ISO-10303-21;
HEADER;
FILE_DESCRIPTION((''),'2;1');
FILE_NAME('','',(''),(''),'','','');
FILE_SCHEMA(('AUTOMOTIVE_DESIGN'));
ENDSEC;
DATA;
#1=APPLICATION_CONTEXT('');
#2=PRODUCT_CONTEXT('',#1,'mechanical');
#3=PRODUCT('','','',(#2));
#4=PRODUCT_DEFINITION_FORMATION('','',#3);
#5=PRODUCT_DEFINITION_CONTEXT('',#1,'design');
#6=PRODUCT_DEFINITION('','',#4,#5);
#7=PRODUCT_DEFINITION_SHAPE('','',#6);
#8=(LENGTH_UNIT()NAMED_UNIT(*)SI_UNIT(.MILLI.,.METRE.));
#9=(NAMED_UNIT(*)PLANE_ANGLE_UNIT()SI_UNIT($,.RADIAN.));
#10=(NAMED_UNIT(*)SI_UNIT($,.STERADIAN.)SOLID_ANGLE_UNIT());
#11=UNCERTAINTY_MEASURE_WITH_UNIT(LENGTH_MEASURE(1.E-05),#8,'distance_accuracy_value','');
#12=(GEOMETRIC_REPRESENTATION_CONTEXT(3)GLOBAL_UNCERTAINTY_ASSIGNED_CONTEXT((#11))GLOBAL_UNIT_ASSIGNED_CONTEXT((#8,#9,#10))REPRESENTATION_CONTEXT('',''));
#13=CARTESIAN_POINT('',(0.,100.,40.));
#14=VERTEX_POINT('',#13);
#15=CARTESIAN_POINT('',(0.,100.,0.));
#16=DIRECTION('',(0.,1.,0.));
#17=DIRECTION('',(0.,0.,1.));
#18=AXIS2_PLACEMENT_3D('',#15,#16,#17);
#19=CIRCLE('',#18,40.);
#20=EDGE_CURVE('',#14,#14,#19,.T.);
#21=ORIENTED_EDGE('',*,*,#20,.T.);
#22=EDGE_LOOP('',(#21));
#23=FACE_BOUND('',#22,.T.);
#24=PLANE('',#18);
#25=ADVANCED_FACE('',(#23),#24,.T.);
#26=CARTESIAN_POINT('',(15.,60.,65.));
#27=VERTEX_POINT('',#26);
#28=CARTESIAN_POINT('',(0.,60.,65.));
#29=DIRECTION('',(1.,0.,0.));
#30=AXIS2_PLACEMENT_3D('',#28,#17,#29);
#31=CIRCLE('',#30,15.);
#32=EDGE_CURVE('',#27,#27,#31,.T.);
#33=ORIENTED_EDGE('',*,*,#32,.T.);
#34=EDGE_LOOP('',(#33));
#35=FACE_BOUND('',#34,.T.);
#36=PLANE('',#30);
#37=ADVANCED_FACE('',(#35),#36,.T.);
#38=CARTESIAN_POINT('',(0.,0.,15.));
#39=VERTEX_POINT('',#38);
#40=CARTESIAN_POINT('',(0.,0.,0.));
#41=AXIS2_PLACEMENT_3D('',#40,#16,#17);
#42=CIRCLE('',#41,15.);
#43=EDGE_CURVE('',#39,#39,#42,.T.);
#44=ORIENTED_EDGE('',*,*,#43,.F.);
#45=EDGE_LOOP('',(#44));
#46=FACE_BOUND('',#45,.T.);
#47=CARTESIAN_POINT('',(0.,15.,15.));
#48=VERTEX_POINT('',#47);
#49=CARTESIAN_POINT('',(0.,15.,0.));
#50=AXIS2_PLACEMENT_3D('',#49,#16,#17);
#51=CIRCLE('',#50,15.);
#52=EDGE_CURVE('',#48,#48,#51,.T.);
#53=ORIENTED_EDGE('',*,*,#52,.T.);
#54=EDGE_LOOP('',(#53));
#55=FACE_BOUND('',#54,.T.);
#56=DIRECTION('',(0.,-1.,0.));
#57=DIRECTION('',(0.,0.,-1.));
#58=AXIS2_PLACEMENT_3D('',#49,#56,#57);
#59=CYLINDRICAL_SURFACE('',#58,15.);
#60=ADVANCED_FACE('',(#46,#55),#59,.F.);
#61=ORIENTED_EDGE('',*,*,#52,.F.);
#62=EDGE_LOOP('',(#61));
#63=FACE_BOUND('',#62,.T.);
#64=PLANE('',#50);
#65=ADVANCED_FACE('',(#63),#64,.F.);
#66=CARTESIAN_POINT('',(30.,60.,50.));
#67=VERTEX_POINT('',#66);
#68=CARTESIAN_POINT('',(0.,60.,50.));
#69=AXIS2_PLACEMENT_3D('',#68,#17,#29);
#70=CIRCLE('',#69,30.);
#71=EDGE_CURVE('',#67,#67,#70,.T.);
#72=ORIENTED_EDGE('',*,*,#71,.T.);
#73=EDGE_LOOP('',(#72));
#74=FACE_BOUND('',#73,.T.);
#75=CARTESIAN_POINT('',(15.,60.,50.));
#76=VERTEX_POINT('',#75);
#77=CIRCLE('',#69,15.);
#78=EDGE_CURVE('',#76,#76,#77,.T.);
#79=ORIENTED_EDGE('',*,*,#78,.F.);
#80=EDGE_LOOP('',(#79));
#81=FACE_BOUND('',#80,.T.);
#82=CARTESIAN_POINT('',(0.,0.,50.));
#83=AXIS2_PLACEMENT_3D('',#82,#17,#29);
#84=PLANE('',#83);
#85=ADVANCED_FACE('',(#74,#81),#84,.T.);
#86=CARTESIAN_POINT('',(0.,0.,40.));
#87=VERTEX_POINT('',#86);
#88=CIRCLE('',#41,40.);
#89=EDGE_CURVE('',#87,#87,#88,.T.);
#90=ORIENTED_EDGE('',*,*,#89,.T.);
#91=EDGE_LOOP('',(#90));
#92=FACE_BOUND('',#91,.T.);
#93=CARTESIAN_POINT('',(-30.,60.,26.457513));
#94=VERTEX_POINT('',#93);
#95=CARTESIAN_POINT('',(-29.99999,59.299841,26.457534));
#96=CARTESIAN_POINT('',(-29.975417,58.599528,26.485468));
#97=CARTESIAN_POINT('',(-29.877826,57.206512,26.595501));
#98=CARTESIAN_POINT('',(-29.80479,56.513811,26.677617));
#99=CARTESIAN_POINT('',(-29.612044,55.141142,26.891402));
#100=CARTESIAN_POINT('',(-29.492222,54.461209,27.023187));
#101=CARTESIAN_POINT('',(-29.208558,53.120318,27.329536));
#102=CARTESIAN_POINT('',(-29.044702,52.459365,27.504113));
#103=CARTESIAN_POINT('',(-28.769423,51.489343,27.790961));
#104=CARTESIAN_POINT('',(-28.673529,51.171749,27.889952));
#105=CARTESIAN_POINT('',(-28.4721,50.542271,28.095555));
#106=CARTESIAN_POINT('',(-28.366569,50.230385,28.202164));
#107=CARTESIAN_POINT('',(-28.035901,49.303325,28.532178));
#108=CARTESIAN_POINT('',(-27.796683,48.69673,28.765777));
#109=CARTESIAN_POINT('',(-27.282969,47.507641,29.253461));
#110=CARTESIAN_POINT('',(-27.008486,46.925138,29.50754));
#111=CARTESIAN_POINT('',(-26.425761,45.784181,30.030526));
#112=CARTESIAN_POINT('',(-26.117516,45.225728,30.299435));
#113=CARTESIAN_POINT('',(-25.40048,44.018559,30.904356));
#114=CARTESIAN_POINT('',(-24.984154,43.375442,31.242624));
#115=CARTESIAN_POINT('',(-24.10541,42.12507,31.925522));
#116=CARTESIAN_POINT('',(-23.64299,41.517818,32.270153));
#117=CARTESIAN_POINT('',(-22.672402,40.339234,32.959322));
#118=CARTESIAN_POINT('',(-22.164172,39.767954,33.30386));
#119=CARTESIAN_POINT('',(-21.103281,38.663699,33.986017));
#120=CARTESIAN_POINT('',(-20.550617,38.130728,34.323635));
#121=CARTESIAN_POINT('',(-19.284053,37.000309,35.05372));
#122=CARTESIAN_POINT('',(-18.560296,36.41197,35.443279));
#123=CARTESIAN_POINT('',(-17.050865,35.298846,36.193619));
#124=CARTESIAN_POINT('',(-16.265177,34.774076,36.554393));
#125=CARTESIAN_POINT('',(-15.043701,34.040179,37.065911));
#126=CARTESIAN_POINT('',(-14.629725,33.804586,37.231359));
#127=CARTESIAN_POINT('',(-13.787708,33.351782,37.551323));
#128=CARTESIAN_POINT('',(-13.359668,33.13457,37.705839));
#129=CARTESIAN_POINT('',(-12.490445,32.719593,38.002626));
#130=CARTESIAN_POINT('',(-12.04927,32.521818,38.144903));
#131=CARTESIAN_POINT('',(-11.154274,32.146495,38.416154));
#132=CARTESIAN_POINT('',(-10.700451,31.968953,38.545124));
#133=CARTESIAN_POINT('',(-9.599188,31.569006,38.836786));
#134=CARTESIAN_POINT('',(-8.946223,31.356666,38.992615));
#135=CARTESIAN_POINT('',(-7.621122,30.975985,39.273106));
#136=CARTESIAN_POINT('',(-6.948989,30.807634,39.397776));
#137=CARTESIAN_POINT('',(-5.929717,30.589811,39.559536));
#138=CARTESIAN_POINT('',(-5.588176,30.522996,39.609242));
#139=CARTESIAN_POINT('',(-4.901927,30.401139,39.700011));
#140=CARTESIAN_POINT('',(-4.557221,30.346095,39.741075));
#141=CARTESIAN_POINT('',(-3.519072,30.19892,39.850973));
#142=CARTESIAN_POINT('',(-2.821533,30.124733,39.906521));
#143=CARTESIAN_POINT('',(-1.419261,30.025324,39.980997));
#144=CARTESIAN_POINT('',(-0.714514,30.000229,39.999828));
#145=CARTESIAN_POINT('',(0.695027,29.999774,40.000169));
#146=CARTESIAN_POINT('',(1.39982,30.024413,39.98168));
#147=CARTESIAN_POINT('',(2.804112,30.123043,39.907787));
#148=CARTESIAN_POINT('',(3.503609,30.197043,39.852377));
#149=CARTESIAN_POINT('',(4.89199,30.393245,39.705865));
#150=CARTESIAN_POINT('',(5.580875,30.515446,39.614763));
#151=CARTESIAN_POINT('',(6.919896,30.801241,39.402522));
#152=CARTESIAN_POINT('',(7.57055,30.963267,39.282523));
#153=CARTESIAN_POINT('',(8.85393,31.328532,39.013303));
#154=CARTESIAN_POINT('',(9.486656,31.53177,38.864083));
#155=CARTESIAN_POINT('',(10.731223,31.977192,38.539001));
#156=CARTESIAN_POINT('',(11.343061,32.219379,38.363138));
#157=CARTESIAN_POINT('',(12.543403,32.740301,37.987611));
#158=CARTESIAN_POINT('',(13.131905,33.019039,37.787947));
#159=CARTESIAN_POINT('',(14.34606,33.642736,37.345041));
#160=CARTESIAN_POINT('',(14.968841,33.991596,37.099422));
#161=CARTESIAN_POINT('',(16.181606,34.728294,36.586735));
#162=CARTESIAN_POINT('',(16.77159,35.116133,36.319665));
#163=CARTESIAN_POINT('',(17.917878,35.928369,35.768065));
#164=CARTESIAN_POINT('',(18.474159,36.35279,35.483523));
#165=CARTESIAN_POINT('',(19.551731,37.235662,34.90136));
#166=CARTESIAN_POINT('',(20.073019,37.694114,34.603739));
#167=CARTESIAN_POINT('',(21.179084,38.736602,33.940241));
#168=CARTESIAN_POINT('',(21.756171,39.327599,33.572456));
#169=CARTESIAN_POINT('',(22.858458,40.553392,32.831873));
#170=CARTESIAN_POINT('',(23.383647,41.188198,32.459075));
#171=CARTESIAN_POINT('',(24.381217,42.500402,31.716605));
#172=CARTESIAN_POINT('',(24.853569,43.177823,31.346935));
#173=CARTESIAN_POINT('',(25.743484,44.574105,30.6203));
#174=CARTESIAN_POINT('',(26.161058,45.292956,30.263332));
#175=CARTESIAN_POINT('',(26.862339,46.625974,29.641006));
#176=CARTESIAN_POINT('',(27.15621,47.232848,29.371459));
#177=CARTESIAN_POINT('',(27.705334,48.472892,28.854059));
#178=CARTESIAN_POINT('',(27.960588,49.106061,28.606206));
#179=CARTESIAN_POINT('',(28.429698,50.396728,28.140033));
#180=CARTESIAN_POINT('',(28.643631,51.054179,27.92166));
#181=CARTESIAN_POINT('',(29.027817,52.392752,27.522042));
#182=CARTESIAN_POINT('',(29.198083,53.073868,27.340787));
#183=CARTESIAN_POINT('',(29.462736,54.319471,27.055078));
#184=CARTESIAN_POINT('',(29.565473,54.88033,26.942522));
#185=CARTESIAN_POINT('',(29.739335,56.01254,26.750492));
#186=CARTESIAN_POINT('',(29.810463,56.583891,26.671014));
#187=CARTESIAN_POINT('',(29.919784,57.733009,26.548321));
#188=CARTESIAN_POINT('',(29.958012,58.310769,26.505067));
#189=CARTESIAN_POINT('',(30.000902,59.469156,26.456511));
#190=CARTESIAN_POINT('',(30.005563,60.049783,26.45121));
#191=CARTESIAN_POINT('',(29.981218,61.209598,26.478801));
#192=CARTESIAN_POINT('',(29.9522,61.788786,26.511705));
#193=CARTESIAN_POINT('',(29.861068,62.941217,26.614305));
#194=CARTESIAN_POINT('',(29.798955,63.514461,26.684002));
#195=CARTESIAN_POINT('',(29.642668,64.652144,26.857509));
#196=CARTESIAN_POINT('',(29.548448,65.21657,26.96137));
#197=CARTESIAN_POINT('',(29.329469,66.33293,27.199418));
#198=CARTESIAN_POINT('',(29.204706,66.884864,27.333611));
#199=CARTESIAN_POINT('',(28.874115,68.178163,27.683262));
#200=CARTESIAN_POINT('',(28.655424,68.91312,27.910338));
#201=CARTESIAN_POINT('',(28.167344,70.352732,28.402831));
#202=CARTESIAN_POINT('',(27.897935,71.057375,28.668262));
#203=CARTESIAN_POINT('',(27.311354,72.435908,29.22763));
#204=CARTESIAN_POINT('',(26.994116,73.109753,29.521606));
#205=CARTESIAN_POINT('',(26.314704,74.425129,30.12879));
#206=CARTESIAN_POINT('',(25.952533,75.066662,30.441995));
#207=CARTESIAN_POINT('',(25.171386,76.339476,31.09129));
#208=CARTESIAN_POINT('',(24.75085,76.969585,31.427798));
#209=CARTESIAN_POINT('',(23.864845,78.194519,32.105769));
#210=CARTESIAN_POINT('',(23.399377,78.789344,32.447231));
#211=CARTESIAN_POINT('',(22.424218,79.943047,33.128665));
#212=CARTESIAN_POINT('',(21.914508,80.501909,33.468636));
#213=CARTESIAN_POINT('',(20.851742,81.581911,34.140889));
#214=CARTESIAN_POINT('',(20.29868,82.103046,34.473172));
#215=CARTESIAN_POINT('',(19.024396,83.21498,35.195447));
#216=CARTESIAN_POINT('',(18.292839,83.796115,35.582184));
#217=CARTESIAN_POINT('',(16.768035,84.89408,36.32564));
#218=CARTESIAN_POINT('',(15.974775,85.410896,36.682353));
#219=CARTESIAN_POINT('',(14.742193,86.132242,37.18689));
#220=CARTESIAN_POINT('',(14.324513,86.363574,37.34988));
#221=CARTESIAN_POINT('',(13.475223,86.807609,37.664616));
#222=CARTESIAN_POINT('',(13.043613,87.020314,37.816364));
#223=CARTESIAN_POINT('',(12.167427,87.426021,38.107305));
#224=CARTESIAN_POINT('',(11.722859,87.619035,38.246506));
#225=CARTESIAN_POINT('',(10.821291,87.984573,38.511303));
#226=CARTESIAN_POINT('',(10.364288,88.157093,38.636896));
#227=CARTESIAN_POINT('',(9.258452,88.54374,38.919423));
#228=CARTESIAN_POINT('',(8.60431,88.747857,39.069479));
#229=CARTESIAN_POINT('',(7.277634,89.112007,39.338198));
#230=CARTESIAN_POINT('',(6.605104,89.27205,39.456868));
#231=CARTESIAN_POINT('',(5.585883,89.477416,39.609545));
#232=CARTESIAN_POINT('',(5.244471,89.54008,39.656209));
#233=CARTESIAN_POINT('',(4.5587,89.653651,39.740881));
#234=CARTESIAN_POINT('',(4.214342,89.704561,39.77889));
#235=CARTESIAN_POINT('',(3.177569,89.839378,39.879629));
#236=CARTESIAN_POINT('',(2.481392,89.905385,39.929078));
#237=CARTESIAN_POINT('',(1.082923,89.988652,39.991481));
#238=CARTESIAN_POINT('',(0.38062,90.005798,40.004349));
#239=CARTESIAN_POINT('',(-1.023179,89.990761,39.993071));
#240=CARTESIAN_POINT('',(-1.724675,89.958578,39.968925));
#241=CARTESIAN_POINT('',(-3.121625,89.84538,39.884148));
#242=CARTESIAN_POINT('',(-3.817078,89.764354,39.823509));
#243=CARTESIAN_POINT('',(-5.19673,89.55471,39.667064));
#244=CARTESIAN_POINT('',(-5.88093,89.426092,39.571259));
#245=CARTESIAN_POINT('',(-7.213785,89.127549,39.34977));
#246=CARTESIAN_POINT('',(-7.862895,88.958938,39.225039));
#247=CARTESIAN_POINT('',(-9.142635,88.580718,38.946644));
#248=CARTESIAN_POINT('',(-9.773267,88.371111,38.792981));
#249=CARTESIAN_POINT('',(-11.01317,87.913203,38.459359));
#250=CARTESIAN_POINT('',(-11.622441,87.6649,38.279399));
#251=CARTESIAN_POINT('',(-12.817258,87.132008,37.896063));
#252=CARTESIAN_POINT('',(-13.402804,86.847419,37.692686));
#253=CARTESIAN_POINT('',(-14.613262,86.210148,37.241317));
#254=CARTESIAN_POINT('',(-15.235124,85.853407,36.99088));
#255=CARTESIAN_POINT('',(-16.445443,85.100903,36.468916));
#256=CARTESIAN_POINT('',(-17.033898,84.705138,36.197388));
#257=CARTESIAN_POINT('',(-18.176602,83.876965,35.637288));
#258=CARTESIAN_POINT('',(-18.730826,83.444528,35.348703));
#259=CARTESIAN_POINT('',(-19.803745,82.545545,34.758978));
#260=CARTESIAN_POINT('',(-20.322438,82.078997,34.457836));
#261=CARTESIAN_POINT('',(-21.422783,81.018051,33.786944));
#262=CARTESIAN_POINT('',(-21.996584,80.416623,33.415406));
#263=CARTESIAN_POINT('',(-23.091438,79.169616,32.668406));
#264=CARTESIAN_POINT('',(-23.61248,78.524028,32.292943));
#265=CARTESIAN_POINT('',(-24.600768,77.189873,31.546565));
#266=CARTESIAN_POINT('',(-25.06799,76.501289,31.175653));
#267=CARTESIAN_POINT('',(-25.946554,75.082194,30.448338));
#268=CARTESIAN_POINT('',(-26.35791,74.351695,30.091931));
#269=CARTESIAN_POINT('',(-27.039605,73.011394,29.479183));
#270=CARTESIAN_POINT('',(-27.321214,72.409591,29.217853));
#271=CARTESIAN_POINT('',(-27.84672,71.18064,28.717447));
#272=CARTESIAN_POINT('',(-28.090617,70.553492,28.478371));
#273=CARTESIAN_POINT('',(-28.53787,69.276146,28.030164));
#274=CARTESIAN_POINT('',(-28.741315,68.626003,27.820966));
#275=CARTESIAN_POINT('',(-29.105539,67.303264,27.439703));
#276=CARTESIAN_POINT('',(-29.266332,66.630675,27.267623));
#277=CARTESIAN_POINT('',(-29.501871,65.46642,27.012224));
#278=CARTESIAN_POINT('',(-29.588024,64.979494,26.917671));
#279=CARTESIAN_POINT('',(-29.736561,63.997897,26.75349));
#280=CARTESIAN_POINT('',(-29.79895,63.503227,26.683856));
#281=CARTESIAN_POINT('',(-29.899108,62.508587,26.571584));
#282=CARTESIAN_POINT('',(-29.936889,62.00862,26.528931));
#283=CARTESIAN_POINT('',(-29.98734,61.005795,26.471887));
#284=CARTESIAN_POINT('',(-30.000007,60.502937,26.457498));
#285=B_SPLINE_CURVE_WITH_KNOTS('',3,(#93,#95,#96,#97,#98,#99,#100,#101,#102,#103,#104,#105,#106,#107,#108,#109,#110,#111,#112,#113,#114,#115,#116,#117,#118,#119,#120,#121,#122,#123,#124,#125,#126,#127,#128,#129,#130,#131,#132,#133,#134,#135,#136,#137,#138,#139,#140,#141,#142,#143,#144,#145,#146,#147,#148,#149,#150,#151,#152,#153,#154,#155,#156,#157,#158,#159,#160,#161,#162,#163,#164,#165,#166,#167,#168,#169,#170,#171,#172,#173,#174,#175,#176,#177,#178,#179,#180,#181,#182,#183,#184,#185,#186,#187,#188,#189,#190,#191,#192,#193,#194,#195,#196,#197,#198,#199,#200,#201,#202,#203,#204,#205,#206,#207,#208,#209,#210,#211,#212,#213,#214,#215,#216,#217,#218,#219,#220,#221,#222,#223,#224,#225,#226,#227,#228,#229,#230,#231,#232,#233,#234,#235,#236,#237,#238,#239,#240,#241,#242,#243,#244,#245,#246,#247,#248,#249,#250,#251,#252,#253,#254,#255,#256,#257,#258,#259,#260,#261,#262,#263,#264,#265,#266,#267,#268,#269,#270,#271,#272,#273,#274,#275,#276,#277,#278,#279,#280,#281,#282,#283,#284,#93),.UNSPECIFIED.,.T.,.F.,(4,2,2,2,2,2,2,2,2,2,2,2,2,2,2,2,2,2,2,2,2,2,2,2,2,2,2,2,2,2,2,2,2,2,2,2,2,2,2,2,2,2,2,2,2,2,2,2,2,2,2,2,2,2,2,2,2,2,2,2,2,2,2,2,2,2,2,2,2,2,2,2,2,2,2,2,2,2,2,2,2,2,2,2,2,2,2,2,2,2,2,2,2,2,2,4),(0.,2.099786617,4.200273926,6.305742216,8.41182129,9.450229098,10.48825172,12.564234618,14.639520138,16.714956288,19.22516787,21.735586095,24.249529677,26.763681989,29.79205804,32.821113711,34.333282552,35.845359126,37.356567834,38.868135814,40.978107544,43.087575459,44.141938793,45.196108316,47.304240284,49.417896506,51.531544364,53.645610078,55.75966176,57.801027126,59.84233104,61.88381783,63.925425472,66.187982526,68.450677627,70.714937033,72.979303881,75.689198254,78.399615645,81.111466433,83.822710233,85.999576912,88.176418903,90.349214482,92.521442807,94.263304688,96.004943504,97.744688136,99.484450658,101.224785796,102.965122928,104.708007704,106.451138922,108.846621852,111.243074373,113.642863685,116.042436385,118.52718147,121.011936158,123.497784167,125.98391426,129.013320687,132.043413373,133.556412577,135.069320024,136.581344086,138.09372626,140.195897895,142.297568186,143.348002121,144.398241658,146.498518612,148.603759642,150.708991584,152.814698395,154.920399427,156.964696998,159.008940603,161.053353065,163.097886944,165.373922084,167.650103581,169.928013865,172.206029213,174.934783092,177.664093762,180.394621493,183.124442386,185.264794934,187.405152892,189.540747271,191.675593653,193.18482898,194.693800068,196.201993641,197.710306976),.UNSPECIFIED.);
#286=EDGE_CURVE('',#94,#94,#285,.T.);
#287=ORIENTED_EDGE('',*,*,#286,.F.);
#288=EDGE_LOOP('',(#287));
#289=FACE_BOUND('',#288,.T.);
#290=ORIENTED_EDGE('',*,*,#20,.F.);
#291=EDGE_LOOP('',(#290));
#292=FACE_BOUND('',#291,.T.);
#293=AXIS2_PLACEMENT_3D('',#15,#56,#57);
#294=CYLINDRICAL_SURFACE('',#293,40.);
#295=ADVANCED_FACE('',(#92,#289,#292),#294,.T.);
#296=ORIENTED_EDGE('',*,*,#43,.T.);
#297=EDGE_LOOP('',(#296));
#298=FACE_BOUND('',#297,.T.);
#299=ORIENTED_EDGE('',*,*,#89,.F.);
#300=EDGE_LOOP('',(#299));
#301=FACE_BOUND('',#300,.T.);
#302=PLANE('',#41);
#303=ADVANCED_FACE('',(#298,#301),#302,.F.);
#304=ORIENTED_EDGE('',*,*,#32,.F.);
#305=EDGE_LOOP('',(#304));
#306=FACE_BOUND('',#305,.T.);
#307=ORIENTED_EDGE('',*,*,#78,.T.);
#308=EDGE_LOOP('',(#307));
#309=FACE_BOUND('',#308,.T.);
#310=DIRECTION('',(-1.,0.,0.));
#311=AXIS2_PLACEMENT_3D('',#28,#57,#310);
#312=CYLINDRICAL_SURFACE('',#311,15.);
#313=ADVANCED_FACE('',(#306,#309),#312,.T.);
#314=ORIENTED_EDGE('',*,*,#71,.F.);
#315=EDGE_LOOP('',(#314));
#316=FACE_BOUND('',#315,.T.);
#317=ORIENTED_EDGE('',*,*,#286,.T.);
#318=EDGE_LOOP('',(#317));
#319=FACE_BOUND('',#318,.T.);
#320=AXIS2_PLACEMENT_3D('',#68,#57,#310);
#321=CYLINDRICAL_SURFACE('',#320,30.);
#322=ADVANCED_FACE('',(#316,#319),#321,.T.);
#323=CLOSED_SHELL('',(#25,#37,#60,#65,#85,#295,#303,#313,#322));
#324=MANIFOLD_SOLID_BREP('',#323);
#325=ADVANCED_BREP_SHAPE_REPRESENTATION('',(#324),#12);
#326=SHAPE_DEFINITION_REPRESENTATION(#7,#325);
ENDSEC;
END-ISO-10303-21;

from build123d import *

# Parameters (mm, degrees)
SKETCH1_R           = 40
BOSS_EXTRUDE1_DEPTH = 100
SKETCH2_R           = 30
SKETCH2_R_2         = 15
BOSS_EXTRUDE2_DEPTH = 50
SKETCH1_3_R         = 15
CUT_EXTRUDE1_DEPTH  = 15
BOSS_EXTRUDE3_START = 50
SKETCH2_4_R         = 15
BOSS_EXTRUDE3_DEPTH = 15


with BuildPart() as part:
    # Sketch1 → Boss-Extrude1 (new body)
    with BuildSketch(Plane(origin=(0, 0, 0), x_dir=(1, 0, 0), z_dir=(0, 1, 0))):
        with Locations(Location((0, 0, 0), (0, 0, 270))):
            Circle(SKETCH1_R)
    extrude(amount=BOSS_EXTRUDE1_DEPTH)

    # Sketch2 → Boss-Extrude2 (add)
    with BuildSketch(Plane.XY):
        with Locations(Location((0, 60, 0), (0, 0, 180))):
            Circle(SKETCH2_R)
        with Locations((0, 60)):
            Circle(SKETCH2_R_2, mode=Mode.SUBTRACT)
        with Locations((0, 60)):
            Circle(SKETCH2_R_2)
    extrude(amount=BOSS_EXTRUDE2_DEPTH)

    # Sketch1<3> → Cut-Extrude1 (cut)
    with BuildSketch(Plane(origin=(0, 0, 0), x_dir=(1, 0, 0), z_dir=(0, 1, 0))):
        with Locations(Location((0, 0, 0), (0, 0, 270))):
            Circle(SKETCH1_3_R)
    extrude(amount=CUT_EXTRUDE1_DEPTH, mode=Mode.SUBTRACT)

    # Sketch2<4> → Boss-Extrude3 (add)
    with BuildSketch(Plane.XY.offset(BOSS_EXTRUDE3_START)):
        with Locations((0, 60)):
            Circle(SKETCH2_4_R)
    extrude(amount=BOSS_EXTRUDE3_DEPTH)


solid = part.part
